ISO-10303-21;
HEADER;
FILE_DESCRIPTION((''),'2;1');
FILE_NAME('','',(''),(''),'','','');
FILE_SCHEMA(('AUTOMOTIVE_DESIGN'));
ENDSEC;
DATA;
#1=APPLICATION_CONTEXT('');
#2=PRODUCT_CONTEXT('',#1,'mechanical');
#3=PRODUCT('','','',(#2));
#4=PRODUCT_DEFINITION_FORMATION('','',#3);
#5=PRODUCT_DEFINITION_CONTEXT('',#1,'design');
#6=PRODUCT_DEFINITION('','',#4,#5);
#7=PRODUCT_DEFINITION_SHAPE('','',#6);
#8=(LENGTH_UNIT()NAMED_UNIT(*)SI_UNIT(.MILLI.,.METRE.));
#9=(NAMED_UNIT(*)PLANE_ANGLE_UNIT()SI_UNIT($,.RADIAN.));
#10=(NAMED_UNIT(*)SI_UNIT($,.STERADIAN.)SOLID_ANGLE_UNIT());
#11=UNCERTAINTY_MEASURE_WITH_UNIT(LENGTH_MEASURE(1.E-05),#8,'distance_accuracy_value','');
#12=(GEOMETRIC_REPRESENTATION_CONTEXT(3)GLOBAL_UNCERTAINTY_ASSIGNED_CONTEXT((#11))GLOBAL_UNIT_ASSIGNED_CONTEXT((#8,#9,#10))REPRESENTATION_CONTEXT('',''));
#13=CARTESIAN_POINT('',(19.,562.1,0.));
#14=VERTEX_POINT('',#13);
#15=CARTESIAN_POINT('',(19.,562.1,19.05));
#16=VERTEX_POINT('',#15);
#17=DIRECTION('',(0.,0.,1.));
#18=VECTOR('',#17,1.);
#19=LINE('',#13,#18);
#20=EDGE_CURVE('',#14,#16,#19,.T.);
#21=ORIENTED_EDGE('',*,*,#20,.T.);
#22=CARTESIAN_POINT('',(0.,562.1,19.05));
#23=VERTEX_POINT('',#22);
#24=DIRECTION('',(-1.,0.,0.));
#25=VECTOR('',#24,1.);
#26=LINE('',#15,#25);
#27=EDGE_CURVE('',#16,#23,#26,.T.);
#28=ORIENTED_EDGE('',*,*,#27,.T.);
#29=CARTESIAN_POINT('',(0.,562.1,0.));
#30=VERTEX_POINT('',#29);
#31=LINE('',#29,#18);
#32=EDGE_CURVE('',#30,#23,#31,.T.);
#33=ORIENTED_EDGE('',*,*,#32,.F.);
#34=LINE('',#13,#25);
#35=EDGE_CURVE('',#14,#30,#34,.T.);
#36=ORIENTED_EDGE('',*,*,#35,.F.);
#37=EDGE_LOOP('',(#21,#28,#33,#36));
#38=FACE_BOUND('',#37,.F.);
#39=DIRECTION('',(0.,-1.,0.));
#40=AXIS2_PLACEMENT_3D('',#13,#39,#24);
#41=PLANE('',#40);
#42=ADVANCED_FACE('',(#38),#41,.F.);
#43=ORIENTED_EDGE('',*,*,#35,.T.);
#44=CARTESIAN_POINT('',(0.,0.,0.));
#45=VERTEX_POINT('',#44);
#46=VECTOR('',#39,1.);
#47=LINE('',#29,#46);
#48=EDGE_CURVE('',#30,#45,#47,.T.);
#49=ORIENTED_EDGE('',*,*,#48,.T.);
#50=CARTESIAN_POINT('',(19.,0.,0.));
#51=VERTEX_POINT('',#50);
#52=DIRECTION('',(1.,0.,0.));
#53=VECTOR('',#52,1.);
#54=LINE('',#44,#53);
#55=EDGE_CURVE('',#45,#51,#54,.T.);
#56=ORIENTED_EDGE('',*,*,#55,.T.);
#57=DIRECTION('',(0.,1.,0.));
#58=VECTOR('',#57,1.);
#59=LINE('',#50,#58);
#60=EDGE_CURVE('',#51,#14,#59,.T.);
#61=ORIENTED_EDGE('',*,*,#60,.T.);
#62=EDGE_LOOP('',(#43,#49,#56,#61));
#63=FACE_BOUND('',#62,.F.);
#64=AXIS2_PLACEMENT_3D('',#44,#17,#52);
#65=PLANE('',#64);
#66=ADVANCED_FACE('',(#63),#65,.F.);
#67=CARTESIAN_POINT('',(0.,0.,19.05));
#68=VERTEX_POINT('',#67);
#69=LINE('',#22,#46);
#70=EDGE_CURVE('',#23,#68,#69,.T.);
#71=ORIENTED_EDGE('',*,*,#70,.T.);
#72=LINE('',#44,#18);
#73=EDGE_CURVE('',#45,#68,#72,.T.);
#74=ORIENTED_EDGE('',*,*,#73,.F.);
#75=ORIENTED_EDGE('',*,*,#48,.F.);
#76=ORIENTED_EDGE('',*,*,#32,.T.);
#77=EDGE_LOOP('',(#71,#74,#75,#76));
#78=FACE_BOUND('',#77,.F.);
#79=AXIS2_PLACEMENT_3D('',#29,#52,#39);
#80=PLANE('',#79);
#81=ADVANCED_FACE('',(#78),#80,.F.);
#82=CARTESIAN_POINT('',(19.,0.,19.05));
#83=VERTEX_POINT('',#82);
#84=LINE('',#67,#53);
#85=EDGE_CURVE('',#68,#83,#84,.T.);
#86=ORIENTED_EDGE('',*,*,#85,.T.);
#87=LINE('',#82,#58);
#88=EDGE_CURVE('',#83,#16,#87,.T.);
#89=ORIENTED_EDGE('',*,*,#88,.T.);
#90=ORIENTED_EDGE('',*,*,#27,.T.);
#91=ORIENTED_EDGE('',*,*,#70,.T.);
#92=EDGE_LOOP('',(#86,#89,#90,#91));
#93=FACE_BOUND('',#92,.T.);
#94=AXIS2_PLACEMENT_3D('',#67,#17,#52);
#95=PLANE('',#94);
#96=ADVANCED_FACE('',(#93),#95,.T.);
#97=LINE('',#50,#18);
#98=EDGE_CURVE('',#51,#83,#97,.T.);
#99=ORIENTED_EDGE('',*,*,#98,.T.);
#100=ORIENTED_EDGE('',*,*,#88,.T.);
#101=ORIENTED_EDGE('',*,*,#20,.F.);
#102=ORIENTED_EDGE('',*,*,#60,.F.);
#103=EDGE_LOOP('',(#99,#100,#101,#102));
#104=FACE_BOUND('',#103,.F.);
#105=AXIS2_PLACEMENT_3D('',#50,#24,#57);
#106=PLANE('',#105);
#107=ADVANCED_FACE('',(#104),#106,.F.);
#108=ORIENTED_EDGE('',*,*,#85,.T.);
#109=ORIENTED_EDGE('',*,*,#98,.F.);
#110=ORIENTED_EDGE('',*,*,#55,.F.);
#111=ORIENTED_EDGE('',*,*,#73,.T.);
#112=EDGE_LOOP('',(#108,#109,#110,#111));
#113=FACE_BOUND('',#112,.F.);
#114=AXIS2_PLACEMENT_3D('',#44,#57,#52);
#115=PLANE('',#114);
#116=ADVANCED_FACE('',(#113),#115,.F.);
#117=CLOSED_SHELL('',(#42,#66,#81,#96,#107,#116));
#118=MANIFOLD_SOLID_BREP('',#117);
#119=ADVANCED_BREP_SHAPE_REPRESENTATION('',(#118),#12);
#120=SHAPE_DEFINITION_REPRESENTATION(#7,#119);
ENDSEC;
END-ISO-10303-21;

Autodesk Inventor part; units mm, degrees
ref_plane "YZ Plane" through (0, 0, 0) normal (1, 0, 0) x (0, 1, 0)
ref_plane "XZ Plane" through (0, 0, 0) normal (0, 1, 0) x (-1, 0, 0)
ref_plane "XY Plane" through (0, 0, 0) normal (0, 0, 1) x (1, 0, 0)
sketch "Sketch1" plane through (0, 0, 0) normal (0, 0, 1) x (1, 0, 0)
  line L0 (0, 0) -> (19, 0)
  line L1 (19, 0) -> (19, 562.1)
  line L2 (19, 562.1) -> (0, 562.1)
  line L3 (0, 562.1) -> (0, 0)
  dimension "d0" = 19
  dimension "d1" = 562.1
extrude "Extrusion1" add sketch "Sketch1" along normal blind 19.05
properties part number "C008" material "Wood (Birch)"
